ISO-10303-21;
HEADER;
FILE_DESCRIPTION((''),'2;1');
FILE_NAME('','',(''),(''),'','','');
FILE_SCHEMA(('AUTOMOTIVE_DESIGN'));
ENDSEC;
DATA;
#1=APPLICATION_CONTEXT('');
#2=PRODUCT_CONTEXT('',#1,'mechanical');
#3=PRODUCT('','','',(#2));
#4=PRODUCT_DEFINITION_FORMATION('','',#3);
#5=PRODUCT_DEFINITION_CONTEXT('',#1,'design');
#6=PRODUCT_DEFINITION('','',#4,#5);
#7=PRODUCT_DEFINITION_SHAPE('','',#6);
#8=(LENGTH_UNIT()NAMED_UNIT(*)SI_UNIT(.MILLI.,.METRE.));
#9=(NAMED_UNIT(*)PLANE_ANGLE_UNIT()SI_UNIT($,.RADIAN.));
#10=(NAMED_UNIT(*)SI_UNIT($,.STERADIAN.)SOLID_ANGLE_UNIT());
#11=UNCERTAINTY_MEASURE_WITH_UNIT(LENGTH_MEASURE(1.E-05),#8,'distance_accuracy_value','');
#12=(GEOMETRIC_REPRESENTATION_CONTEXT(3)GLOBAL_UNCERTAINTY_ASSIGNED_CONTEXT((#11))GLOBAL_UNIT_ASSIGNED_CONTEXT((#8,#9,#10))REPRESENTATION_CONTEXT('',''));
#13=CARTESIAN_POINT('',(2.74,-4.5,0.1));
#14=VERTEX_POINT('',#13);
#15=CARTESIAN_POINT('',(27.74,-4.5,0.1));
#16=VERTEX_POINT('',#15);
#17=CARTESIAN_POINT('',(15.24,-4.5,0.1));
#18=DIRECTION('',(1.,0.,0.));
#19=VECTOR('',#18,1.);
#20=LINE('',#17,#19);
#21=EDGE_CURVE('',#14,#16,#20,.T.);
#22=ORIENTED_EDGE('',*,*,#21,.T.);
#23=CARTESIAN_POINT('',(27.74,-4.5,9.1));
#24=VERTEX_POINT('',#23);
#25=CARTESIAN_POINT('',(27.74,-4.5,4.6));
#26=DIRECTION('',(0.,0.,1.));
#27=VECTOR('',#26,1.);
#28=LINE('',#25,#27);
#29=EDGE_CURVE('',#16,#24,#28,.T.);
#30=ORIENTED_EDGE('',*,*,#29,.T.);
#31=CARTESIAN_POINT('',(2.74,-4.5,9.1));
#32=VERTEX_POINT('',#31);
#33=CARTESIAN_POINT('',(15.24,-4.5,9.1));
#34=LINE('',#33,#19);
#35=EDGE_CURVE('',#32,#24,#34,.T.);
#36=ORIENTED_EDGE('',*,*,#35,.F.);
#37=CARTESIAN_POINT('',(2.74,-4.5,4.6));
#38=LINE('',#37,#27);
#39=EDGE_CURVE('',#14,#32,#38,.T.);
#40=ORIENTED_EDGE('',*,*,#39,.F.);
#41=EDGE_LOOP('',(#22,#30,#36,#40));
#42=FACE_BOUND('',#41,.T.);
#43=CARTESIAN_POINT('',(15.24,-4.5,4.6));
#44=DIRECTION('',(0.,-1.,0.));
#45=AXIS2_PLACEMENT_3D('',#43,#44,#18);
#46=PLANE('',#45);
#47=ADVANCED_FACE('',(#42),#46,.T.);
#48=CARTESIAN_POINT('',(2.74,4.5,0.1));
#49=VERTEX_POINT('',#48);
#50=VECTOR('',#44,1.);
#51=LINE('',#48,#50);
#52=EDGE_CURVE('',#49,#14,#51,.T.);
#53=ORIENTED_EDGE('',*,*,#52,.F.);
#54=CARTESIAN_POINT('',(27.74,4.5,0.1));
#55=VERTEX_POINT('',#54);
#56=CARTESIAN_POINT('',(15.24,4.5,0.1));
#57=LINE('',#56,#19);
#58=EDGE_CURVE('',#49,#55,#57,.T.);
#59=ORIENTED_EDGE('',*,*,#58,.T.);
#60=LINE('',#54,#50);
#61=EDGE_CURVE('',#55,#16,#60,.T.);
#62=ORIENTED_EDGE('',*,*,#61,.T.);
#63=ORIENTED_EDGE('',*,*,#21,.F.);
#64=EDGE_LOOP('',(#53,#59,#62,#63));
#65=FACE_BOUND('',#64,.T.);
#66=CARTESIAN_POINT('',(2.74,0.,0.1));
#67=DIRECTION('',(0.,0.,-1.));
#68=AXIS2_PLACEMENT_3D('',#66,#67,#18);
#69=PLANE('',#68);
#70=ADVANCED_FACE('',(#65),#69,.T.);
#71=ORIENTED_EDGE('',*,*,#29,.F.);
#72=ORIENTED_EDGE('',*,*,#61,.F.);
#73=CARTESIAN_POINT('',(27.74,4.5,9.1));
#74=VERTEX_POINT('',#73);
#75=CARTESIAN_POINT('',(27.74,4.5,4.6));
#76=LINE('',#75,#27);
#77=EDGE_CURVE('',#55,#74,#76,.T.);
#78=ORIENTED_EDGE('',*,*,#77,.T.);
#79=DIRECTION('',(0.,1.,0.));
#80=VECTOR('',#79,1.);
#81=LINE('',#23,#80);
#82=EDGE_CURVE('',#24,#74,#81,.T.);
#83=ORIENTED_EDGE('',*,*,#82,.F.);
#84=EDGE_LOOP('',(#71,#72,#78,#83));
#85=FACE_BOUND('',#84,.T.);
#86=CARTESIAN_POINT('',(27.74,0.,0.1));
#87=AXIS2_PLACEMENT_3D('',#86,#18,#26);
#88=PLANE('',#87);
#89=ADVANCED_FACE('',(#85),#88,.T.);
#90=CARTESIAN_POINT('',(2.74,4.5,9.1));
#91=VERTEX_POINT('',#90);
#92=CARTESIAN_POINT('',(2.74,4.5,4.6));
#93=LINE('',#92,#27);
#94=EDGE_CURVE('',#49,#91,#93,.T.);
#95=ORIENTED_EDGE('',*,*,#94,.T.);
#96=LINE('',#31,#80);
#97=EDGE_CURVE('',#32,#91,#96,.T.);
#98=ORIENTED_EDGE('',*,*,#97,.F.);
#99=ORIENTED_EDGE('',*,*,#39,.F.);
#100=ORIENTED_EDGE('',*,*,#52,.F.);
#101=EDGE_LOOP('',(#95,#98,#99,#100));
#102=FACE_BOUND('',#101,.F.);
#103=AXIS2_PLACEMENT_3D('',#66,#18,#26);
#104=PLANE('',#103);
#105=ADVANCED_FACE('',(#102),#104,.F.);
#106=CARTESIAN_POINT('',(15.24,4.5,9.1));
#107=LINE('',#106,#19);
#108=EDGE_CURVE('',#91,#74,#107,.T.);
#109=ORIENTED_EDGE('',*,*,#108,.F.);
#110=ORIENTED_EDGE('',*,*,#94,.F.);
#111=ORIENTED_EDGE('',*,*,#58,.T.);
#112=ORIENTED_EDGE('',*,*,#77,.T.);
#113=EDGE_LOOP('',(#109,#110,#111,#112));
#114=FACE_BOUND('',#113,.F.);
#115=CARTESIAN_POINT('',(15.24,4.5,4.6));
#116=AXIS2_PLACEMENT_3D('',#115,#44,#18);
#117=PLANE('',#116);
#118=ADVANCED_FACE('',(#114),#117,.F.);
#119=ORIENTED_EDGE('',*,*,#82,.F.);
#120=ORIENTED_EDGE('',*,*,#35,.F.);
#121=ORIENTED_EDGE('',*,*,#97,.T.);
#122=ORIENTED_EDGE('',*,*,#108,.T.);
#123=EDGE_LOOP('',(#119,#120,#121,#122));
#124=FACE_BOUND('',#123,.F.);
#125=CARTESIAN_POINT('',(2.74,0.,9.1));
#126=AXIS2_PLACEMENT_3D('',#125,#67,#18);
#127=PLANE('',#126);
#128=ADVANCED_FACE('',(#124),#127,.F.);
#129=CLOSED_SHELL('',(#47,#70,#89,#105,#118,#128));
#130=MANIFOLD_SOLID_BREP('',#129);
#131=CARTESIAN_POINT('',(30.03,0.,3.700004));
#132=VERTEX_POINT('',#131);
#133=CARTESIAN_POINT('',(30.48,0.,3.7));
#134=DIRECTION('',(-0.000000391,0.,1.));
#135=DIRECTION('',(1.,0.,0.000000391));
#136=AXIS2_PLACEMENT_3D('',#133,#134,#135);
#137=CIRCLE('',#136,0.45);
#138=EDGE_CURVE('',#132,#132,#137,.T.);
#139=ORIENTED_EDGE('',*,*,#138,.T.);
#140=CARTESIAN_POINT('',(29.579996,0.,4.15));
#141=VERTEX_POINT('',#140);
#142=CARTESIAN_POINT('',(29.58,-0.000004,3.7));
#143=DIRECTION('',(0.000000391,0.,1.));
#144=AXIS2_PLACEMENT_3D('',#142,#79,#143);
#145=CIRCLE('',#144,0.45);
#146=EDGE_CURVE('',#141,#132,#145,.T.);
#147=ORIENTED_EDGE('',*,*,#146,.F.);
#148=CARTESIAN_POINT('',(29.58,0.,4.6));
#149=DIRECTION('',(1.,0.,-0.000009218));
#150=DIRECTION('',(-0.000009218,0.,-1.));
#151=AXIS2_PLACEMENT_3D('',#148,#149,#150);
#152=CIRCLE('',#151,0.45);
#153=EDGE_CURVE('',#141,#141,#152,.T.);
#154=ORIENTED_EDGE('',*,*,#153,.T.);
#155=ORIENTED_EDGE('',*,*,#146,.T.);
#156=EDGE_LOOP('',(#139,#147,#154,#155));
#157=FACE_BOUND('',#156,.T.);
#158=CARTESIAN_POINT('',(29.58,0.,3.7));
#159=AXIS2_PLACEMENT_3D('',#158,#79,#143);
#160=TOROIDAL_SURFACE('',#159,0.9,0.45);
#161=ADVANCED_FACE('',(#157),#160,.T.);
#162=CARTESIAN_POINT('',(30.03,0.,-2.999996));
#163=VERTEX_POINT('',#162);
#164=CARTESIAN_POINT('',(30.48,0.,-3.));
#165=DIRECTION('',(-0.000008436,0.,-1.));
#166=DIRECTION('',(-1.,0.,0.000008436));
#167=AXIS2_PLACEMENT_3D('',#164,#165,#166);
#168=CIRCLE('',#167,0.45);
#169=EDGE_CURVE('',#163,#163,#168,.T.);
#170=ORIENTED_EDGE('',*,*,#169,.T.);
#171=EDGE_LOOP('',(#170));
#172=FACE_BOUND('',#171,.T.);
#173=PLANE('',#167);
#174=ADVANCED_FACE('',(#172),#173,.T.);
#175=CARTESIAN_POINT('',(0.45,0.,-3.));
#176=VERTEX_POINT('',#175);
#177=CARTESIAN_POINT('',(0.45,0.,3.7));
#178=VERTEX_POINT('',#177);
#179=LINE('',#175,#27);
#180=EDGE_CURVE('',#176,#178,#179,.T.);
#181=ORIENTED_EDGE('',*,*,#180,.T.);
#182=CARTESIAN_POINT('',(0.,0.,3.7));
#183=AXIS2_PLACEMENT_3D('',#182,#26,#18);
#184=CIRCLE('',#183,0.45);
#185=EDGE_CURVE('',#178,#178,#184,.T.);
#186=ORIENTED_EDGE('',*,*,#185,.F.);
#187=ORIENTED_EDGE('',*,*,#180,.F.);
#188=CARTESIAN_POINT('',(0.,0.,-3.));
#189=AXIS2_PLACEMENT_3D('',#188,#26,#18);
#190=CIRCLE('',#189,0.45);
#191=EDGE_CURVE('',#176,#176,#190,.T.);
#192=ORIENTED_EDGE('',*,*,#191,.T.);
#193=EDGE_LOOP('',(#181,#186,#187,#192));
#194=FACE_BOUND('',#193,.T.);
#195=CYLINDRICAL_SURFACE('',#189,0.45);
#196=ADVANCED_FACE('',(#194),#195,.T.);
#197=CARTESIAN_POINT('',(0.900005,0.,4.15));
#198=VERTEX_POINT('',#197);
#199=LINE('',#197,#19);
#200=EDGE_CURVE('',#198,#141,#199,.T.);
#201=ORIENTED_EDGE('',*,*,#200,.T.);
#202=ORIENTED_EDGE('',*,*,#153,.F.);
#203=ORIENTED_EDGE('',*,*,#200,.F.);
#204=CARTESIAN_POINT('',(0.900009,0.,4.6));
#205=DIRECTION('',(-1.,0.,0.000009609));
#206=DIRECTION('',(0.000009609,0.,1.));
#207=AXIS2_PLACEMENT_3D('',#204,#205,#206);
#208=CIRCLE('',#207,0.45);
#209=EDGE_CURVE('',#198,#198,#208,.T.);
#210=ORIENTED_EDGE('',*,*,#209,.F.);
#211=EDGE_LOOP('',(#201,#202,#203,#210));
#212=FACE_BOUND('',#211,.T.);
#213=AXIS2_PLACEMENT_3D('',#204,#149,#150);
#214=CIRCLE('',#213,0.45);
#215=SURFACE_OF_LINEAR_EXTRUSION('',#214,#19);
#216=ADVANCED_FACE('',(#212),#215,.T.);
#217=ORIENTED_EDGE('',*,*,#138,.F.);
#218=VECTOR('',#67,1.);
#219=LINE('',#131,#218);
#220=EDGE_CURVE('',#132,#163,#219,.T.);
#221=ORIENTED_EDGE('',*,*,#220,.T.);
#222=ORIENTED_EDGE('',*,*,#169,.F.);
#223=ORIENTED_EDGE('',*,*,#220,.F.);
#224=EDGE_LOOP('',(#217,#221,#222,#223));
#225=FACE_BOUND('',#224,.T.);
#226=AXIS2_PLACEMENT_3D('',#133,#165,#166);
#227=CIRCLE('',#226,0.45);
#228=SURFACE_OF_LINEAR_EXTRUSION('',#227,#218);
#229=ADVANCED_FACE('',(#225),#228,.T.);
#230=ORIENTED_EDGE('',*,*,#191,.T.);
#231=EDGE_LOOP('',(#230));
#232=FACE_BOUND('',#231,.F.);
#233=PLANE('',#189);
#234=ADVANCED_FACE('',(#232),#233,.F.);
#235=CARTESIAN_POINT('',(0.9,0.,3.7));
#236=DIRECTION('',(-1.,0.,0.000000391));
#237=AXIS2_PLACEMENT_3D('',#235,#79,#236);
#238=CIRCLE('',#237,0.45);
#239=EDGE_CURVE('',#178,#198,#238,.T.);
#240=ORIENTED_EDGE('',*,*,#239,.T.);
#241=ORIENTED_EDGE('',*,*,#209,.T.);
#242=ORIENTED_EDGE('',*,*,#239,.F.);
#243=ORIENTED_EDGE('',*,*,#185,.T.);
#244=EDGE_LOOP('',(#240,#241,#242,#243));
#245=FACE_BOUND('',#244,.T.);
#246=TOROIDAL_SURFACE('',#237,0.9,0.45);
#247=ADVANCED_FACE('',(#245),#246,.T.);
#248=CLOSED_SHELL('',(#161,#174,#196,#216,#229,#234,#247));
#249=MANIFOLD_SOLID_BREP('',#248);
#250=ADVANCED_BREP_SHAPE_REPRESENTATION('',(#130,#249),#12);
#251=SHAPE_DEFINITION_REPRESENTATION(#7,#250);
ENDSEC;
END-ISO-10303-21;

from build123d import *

# Parameters (mm, degrees)
SKETCH_R    = 0.45
SKETCH002_W = 25
SKETCH002_H = 9
PAD_DEPTH   = 4.5


with BuildPart() as sweep_body:
    # Sweep: sweep along a path in Sketch001
    with BuildLine(Plane.XZ) as sweep_path:
        Line((0, -3), (0, 3.7))
        ThreePointArc((0, 3.7), (0.263607, 4.336399), (0.900009, 4.6))
        Line((0.900009, 4.6), (29.58, 4.6))
        ThreePointArc((29.58, 4.6), (30.216396, 4.336396), (30.48, 3.7))
        Line((30.48, 3.7), (30.48, -3))
    # Sketch → Sweep (sweep)
    with BuildSketch(Plane.XY.offset(-2)):
        Circle(SKETCH_R)
    sweep(path=sweep_path.line)


with BuildPart() as pad:
    # Sketch002 → Pad (new body, symmetric)
    with BuildSketch(Plane.XZ):
        with Locations((15.24, 4.6)):
            Rectangle(SKETCH002_W, SKETCH002_H)
    extrude(amount=PAD_DEPTH, both=True)


solid = Compound([sweep_body.part, pad.part])
